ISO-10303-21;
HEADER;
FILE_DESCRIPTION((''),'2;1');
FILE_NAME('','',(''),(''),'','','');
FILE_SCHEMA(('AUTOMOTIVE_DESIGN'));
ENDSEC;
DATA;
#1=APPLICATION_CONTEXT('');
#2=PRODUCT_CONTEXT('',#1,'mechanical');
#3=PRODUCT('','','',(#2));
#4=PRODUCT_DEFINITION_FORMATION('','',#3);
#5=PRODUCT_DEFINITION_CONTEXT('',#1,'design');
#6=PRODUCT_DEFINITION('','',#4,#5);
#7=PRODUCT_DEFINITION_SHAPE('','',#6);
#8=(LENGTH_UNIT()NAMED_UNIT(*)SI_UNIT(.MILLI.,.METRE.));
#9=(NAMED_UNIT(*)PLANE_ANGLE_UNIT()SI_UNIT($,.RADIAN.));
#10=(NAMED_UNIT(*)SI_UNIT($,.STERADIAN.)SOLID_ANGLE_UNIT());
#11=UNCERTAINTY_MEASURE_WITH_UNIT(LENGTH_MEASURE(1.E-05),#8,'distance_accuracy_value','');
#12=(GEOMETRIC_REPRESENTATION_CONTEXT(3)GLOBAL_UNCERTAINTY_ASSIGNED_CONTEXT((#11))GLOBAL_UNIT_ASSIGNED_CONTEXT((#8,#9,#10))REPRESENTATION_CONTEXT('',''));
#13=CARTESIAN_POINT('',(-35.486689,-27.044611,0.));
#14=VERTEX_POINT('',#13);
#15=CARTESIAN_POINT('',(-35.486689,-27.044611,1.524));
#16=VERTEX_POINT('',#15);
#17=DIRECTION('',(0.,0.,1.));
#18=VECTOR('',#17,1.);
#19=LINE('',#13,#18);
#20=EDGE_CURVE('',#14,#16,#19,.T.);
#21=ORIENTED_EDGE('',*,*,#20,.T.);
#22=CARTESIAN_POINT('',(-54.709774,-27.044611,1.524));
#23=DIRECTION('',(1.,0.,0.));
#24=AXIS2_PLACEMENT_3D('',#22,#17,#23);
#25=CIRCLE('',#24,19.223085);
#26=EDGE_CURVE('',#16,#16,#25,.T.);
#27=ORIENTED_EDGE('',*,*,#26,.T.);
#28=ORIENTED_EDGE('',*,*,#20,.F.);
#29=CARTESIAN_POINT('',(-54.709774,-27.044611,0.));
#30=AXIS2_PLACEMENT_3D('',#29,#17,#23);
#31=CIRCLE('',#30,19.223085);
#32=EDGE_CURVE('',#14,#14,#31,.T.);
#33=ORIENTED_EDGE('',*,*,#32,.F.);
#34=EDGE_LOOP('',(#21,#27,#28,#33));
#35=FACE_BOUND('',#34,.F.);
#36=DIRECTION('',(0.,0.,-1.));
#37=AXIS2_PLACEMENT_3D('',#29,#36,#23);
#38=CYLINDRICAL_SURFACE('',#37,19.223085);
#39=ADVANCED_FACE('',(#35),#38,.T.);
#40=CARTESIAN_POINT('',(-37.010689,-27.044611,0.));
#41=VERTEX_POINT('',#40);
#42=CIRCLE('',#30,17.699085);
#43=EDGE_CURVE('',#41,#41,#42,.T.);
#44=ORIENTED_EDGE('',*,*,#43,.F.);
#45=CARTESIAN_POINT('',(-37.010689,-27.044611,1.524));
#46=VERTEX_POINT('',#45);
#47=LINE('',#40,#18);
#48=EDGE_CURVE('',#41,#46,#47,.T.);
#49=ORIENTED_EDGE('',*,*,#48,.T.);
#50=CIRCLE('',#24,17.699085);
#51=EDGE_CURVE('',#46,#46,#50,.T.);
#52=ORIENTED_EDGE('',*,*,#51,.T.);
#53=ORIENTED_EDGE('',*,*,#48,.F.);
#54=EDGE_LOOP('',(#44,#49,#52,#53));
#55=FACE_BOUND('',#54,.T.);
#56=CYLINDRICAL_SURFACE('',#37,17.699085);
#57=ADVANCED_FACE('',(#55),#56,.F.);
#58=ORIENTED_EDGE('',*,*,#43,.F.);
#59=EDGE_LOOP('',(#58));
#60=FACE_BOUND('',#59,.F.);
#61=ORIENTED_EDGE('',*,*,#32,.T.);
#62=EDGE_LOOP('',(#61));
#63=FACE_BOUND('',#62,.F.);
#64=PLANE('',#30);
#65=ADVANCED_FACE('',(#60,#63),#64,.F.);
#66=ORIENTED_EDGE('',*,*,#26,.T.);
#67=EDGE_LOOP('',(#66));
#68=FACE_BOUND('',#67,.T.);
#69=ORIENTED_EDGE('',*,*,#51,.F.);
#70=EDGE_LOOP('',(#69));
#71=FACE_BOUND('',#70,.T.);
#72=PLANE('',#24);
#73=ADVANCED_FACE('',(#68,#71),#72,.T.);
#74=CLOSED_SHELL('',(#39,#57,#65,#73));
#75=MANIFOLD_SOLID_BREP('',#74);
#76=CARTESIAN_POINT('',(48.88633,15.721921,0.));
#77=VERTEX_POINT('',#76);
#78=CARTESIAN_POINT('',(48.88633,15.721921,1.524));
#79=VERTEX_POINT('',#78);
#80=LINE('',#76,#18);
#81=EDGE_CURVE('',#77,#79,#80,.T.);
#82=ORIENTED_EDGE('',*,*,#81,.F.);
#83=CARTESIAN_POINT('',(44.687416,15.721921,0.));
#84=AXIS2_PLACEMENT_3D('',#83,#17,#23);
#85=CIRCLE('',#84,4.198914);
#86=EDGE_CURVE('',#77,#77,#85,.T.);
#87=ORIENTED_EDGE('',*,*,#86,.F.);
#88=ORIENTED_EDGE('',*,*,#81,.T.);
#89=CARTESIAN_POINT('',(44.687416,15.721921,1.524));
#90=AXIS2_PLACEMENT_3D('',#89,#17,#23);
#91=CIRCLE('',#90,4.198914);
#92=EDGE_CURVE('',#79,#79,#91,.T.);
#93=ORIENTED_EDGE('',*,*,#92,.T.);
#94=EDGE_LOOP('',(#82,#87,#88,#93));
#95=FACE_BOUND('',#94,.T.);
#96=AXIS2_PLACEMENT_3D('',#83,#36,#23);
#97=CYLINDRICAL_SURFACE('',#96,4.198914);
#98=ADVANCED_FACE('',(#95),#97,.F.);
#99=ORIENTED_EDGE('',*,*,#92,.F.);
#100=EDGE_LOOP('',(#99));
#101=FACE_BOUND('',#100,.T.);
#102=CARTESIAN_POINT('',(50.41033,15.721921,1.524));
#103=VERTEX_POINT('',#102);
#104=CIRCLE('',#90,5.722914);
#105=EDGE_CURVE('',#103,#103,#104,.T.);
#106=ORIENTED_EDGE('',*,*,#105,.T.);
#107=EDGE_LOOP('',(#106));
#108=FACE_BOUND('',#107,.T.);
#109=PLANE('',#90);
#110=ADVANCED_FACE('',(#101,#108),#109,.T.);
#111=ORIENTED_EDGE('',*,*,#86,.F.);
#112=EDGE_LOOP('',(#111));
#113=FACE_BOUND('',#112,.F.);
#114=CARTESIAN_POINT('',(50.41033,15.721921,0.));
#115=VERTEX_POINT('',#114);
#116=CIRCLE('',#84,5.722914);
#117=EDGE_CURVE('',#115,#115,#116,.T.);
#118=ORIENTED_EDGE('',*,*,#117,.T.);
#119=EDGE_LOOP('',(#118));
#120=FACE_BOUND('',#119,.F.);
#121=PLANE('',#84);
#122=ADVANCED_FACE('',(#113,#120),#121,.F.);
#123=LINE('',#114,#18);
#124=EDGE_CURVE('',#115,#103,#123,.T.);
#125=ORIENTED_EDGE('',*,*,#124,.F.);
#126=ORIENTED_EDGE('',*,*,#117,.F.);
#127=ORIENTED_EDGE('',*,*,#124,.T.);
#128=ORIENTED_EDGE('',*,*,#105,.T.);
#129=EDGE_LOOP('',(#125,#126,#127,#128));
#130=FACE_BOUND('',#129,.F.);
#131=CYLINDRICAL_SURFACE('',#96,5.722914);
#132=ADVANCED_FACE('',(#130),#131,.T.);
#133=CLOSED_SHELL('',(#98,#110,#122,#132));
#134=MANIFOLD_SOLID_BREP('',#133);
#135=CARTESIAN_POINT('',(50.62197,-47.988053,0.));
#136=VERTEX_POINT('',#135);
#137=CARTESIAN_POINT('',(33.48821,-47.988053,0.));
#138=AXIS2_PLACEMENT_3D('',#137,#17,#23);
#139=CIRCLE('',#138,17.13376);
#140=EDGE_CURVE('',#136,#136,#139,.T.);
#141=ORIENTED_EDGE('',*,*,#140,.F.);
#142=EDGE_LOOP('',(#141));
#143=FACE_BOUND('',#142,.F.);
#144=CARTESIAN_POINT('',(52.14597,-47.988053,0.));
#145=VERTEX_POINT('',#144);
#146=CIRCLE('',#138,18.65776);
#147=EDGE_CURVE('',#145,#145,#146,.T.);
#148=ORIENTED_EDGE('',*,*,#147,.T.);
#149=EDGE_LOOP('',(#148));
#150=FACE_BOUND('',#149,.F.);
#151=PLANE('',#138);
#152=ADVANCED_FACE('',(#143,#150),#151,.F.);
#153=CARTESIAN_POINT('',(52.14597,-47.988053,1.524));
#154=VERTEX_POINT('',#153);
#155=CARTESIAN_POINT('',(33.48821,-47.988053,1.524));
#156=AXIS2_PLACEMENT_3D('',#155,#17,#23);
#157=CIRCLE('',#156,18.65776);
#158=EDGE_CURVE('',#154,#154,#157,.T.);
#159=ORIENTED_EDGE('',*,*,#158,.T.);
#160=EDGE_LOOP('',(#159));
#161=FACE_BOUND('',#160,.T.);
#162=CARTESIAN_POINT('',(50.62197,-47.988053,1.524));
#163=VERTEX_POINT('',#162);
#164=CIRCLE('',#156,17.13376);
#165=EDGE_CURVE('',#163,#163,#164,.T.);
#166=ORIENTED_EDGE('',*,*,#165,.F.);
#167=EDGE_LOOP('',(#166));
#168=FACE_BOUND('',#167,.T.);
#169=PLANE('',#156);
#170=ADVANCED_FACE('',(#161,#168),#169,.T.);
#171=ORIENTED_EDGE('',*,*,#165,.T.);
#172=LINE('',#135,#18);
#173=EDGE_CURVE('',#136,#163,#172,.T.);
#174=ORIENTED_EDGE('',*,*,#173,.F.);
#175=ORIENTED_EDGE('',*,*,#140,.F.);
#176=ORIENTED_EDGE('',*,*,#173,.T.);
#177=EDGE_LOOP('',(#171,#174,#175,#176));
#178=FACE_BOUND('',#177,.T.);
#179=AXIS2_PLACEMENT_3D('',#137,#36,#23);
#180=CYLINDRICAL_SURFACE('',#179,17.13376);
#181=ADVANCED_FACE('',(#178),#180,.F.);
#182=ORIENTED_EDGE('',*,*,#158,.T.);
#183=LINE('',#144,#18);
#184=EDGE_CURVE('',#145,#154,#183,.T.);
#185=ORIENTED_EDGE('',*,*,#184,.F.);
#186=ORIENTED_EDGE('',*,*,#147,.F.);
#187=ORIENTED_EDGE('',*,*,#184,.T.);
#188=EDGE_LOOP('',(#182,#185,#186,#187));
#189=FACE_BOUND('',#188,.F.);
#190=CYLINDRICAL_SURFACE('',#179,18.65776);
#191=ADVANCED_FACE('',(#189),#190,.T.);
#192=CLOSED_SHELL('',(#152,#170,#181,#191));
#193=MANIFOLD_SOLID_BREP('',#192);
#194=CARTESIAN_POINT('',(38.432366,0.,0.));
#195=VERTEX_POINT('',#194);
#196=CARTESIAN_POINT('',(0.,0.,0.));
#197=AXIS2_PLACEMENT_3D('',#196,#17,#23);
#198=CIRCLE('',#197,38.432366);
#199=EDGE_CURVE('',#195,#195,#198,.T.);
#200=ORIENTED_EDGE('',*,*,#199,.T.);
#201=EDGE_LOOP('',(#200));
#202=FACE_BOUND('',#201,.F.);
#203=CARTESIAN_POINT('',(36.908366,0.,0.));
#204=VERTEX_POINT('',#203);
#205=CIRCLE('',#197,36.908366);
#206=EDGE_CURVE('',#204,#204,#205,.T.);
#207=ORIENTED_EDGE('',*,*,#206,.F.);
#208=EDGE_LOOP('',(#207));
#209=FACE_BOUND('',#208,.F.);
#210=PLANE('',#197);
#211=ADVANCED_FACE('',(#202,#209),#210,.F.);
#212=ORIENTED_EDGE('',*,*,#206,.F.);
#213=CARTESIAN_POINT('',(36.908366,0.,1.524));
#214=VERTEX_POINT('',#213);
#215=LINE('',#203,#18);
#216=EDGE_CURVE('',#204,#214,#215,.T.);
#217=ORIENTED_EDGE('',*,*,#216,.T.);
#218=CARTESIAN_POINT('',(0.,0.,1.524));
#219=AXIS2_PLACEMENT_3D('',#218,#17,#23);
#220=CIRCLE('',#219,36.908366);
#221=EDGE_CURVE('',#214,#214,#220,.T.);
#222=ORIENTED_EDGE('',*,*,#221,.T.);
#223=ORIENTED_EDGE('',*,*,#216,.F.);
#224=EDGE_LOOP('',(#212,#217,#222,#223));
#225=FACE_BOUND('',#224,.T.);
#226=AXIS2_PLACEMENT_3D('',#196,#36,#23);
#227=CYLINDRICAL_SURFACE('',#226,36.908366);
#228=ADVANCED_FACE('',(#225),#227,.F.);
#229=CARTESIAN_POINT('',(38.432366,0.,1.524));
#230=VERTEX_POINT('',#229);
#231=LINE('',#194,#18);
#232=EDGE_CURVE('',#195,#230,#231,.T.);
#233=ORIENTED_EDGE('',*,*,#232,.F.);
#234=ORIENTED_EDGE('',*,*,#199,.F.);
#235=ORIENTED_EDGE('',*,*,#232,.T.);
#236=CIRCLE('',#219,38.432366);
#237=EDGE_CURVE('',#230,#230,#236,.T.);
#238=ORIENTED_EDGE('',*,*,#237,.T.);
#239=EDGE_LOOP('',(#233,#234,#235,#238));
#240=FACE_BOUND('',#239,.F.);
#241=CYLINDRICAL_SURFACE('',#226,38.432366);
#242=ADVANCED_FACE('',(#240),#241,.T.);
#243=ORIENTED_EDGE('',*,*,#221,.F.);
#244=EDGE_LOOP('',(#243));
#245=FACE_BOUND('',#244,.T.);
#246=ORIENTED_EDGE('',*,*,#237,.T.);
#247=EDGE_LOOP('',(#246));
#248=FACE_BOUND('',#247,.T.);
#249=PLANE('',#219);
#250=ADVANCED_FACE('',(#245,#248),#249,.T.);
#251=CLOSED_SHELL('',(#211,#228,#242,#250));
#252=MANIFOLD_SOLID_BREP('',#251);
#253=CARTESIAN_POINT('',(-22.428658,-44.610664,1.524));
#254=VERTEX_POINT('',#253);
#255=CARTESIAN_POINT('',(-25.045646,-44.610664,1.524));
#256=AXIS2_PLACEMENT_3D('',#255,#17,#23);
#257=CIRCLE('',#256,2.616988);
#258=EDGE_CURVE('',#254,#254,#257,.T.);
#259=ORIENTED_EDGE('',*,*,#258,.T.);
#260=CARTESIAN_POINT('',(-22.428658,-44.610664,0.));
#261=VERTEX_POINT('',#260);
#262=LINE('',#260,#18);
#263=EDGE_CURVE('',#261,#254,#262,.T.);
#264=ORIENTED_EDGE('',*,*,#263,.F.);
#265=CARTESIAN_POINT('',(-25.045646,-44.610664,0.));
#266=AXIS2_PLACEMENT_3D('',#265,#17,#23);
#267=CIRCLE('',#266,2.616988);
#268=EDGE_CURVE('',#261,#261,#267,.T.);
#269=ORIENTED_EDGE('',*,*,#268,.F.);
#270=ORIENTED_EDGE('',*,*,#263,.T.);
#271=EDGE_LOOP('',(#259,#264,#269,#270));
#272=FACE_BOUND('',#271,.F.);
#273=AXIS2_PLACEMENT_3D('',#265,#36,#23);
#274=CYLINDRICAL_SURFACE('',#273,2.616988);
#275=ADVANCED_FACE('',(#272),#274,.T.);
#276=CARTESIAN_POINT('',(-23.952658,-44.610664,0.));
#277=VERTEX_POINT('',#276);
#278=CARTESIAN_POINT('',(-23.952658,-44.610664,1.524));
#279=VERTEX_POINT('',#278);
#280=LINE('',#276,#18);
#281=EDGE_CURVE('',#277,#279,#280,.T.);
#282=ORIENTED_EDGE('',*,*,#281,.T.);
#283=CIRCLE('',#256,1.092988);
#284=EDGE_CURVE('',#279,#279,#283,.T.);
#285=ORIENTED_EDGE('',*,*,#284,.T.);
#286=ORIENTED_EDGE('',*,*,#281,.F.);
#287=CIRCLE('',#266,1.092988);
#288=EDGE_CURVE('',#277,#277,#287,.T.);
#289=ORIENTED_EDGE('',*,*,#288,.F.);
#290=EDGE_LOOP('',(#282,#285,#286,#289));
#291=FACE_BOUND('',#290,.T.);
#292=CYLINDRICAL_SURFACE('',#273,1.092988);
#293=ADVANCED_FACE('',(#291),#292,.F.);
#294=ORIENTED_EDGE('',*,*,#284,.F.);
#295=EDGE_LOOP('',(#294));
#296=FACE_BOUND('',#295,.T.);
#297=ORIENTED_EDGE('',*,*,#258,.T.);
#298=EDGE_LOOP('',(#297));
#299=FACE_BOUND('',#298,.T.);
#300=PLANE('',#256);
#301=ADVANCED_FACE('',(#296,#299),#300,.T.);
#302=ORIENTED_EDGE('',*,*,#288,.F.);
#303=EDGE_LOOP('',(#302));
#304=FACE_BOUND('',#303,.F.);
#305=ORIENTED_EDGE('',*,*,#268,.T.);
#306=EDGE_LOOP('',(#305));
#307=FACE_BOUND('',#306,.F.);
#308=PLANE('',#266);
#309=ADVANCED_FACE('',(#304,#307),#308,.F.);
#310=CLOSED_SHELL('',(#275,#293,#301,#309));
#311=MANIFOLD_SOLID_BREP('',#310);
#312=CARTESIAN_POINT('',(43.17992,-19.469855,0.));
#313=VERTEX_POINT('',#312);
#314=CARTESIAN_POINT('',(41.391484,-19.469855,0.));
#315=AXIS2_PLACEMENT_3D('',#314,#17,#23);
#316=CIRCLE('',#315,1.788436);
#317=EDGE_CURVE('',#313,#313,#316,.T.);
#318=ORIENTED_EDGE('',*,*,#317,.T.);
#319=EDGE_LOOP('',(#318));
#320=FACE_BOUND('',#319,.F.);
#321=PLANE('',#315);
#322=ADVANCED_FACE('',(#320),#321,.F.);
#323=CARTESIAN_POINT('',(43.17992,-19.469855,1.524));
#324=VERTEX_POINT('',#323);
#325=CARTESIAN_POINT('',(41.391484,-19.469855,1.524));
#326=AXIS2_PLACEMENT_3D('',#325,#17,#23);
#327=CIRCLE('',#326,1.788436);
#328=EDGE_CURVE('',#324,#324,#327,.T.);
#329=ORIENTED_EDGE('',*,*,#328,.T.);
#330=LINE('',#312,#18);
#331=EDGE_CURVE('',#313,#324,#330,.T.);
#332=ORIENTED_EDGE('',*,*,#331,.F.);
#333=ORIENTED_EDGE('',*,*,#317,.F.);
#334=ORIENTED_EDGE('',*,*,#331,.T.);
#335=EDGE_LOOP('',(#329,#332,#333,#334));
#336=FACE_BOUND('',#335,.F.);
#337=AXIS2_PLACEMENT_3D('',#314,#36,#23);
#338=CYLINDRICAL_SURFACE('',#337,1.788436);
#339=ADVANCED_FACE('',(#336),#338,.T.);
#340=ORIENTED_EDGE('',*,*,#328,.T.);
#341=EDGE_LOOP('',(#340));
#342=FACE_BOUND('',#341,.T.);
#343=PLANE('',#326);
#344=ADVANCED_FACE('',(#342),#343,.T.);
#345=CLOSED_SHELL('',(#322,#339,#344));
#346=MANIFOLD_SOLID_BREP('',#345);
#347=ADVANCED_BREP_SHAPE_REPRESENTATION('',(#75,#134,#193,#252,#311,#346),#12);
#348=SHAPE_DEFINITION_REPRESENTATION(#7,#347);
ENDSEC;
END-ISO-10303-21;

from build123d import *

# Parameters (mm, degrees)
F0_R     = 2.616988
F0_R_2   = 1.092988
F0_R_3   = 5.722914
F0_R_4   = 4.198914
F0_R_5   = 1.788436
F0_R_6   = 38.432366
F0_R_7   = 36.908366
F0_R_8   = 19.223085
F0_R_9   = 17.699085
F0_R_10  = 18.65776
F0_R_11  = 17.13376
F1_DEPTH = 1.524


with BuildPart() as f1:
    # F0 (on Top) → F1 (new body)
    with BuildSketch(Plane.XY):
        with Locations((-25.045646, -44.610664)):
            Circle(F0_R)
        with Locations((-25.045646, -44.610664)):
            Circle(F0_R_2, mode=Mode.SUBTRACT)
        with Locations((44.687416, 15.721921)):
            Circle(F0_R_3)
        with Locations((44.687416, 15.721921)):
            Circle(F0_R_4, mode=Mode.SUBTRACT)
        with Locations((41.391484, -19.469855)):
            Circle(F0_R_5)
        Circle(F0_R_6)
        Circle(F0_R_7, mode=Mode.SUBTRACT)
        with Locations((-54.709774, -27.044611)):
            Circle(F0_R_8)
        with Locations((-54.709774, -27.044611)):
            Circle(F0_R_9, mode=Mode.SUBTRACT)
        with Locations((33.48821, -47.988053)):
            Circle(F0_R_10)
        with Locations((33.48821, -47.988053)):
            Circle(F0_R_11, mode=Mode.SUBTRACT)
    extrude(amount=F1_DEPTH)


solid = f1.part
